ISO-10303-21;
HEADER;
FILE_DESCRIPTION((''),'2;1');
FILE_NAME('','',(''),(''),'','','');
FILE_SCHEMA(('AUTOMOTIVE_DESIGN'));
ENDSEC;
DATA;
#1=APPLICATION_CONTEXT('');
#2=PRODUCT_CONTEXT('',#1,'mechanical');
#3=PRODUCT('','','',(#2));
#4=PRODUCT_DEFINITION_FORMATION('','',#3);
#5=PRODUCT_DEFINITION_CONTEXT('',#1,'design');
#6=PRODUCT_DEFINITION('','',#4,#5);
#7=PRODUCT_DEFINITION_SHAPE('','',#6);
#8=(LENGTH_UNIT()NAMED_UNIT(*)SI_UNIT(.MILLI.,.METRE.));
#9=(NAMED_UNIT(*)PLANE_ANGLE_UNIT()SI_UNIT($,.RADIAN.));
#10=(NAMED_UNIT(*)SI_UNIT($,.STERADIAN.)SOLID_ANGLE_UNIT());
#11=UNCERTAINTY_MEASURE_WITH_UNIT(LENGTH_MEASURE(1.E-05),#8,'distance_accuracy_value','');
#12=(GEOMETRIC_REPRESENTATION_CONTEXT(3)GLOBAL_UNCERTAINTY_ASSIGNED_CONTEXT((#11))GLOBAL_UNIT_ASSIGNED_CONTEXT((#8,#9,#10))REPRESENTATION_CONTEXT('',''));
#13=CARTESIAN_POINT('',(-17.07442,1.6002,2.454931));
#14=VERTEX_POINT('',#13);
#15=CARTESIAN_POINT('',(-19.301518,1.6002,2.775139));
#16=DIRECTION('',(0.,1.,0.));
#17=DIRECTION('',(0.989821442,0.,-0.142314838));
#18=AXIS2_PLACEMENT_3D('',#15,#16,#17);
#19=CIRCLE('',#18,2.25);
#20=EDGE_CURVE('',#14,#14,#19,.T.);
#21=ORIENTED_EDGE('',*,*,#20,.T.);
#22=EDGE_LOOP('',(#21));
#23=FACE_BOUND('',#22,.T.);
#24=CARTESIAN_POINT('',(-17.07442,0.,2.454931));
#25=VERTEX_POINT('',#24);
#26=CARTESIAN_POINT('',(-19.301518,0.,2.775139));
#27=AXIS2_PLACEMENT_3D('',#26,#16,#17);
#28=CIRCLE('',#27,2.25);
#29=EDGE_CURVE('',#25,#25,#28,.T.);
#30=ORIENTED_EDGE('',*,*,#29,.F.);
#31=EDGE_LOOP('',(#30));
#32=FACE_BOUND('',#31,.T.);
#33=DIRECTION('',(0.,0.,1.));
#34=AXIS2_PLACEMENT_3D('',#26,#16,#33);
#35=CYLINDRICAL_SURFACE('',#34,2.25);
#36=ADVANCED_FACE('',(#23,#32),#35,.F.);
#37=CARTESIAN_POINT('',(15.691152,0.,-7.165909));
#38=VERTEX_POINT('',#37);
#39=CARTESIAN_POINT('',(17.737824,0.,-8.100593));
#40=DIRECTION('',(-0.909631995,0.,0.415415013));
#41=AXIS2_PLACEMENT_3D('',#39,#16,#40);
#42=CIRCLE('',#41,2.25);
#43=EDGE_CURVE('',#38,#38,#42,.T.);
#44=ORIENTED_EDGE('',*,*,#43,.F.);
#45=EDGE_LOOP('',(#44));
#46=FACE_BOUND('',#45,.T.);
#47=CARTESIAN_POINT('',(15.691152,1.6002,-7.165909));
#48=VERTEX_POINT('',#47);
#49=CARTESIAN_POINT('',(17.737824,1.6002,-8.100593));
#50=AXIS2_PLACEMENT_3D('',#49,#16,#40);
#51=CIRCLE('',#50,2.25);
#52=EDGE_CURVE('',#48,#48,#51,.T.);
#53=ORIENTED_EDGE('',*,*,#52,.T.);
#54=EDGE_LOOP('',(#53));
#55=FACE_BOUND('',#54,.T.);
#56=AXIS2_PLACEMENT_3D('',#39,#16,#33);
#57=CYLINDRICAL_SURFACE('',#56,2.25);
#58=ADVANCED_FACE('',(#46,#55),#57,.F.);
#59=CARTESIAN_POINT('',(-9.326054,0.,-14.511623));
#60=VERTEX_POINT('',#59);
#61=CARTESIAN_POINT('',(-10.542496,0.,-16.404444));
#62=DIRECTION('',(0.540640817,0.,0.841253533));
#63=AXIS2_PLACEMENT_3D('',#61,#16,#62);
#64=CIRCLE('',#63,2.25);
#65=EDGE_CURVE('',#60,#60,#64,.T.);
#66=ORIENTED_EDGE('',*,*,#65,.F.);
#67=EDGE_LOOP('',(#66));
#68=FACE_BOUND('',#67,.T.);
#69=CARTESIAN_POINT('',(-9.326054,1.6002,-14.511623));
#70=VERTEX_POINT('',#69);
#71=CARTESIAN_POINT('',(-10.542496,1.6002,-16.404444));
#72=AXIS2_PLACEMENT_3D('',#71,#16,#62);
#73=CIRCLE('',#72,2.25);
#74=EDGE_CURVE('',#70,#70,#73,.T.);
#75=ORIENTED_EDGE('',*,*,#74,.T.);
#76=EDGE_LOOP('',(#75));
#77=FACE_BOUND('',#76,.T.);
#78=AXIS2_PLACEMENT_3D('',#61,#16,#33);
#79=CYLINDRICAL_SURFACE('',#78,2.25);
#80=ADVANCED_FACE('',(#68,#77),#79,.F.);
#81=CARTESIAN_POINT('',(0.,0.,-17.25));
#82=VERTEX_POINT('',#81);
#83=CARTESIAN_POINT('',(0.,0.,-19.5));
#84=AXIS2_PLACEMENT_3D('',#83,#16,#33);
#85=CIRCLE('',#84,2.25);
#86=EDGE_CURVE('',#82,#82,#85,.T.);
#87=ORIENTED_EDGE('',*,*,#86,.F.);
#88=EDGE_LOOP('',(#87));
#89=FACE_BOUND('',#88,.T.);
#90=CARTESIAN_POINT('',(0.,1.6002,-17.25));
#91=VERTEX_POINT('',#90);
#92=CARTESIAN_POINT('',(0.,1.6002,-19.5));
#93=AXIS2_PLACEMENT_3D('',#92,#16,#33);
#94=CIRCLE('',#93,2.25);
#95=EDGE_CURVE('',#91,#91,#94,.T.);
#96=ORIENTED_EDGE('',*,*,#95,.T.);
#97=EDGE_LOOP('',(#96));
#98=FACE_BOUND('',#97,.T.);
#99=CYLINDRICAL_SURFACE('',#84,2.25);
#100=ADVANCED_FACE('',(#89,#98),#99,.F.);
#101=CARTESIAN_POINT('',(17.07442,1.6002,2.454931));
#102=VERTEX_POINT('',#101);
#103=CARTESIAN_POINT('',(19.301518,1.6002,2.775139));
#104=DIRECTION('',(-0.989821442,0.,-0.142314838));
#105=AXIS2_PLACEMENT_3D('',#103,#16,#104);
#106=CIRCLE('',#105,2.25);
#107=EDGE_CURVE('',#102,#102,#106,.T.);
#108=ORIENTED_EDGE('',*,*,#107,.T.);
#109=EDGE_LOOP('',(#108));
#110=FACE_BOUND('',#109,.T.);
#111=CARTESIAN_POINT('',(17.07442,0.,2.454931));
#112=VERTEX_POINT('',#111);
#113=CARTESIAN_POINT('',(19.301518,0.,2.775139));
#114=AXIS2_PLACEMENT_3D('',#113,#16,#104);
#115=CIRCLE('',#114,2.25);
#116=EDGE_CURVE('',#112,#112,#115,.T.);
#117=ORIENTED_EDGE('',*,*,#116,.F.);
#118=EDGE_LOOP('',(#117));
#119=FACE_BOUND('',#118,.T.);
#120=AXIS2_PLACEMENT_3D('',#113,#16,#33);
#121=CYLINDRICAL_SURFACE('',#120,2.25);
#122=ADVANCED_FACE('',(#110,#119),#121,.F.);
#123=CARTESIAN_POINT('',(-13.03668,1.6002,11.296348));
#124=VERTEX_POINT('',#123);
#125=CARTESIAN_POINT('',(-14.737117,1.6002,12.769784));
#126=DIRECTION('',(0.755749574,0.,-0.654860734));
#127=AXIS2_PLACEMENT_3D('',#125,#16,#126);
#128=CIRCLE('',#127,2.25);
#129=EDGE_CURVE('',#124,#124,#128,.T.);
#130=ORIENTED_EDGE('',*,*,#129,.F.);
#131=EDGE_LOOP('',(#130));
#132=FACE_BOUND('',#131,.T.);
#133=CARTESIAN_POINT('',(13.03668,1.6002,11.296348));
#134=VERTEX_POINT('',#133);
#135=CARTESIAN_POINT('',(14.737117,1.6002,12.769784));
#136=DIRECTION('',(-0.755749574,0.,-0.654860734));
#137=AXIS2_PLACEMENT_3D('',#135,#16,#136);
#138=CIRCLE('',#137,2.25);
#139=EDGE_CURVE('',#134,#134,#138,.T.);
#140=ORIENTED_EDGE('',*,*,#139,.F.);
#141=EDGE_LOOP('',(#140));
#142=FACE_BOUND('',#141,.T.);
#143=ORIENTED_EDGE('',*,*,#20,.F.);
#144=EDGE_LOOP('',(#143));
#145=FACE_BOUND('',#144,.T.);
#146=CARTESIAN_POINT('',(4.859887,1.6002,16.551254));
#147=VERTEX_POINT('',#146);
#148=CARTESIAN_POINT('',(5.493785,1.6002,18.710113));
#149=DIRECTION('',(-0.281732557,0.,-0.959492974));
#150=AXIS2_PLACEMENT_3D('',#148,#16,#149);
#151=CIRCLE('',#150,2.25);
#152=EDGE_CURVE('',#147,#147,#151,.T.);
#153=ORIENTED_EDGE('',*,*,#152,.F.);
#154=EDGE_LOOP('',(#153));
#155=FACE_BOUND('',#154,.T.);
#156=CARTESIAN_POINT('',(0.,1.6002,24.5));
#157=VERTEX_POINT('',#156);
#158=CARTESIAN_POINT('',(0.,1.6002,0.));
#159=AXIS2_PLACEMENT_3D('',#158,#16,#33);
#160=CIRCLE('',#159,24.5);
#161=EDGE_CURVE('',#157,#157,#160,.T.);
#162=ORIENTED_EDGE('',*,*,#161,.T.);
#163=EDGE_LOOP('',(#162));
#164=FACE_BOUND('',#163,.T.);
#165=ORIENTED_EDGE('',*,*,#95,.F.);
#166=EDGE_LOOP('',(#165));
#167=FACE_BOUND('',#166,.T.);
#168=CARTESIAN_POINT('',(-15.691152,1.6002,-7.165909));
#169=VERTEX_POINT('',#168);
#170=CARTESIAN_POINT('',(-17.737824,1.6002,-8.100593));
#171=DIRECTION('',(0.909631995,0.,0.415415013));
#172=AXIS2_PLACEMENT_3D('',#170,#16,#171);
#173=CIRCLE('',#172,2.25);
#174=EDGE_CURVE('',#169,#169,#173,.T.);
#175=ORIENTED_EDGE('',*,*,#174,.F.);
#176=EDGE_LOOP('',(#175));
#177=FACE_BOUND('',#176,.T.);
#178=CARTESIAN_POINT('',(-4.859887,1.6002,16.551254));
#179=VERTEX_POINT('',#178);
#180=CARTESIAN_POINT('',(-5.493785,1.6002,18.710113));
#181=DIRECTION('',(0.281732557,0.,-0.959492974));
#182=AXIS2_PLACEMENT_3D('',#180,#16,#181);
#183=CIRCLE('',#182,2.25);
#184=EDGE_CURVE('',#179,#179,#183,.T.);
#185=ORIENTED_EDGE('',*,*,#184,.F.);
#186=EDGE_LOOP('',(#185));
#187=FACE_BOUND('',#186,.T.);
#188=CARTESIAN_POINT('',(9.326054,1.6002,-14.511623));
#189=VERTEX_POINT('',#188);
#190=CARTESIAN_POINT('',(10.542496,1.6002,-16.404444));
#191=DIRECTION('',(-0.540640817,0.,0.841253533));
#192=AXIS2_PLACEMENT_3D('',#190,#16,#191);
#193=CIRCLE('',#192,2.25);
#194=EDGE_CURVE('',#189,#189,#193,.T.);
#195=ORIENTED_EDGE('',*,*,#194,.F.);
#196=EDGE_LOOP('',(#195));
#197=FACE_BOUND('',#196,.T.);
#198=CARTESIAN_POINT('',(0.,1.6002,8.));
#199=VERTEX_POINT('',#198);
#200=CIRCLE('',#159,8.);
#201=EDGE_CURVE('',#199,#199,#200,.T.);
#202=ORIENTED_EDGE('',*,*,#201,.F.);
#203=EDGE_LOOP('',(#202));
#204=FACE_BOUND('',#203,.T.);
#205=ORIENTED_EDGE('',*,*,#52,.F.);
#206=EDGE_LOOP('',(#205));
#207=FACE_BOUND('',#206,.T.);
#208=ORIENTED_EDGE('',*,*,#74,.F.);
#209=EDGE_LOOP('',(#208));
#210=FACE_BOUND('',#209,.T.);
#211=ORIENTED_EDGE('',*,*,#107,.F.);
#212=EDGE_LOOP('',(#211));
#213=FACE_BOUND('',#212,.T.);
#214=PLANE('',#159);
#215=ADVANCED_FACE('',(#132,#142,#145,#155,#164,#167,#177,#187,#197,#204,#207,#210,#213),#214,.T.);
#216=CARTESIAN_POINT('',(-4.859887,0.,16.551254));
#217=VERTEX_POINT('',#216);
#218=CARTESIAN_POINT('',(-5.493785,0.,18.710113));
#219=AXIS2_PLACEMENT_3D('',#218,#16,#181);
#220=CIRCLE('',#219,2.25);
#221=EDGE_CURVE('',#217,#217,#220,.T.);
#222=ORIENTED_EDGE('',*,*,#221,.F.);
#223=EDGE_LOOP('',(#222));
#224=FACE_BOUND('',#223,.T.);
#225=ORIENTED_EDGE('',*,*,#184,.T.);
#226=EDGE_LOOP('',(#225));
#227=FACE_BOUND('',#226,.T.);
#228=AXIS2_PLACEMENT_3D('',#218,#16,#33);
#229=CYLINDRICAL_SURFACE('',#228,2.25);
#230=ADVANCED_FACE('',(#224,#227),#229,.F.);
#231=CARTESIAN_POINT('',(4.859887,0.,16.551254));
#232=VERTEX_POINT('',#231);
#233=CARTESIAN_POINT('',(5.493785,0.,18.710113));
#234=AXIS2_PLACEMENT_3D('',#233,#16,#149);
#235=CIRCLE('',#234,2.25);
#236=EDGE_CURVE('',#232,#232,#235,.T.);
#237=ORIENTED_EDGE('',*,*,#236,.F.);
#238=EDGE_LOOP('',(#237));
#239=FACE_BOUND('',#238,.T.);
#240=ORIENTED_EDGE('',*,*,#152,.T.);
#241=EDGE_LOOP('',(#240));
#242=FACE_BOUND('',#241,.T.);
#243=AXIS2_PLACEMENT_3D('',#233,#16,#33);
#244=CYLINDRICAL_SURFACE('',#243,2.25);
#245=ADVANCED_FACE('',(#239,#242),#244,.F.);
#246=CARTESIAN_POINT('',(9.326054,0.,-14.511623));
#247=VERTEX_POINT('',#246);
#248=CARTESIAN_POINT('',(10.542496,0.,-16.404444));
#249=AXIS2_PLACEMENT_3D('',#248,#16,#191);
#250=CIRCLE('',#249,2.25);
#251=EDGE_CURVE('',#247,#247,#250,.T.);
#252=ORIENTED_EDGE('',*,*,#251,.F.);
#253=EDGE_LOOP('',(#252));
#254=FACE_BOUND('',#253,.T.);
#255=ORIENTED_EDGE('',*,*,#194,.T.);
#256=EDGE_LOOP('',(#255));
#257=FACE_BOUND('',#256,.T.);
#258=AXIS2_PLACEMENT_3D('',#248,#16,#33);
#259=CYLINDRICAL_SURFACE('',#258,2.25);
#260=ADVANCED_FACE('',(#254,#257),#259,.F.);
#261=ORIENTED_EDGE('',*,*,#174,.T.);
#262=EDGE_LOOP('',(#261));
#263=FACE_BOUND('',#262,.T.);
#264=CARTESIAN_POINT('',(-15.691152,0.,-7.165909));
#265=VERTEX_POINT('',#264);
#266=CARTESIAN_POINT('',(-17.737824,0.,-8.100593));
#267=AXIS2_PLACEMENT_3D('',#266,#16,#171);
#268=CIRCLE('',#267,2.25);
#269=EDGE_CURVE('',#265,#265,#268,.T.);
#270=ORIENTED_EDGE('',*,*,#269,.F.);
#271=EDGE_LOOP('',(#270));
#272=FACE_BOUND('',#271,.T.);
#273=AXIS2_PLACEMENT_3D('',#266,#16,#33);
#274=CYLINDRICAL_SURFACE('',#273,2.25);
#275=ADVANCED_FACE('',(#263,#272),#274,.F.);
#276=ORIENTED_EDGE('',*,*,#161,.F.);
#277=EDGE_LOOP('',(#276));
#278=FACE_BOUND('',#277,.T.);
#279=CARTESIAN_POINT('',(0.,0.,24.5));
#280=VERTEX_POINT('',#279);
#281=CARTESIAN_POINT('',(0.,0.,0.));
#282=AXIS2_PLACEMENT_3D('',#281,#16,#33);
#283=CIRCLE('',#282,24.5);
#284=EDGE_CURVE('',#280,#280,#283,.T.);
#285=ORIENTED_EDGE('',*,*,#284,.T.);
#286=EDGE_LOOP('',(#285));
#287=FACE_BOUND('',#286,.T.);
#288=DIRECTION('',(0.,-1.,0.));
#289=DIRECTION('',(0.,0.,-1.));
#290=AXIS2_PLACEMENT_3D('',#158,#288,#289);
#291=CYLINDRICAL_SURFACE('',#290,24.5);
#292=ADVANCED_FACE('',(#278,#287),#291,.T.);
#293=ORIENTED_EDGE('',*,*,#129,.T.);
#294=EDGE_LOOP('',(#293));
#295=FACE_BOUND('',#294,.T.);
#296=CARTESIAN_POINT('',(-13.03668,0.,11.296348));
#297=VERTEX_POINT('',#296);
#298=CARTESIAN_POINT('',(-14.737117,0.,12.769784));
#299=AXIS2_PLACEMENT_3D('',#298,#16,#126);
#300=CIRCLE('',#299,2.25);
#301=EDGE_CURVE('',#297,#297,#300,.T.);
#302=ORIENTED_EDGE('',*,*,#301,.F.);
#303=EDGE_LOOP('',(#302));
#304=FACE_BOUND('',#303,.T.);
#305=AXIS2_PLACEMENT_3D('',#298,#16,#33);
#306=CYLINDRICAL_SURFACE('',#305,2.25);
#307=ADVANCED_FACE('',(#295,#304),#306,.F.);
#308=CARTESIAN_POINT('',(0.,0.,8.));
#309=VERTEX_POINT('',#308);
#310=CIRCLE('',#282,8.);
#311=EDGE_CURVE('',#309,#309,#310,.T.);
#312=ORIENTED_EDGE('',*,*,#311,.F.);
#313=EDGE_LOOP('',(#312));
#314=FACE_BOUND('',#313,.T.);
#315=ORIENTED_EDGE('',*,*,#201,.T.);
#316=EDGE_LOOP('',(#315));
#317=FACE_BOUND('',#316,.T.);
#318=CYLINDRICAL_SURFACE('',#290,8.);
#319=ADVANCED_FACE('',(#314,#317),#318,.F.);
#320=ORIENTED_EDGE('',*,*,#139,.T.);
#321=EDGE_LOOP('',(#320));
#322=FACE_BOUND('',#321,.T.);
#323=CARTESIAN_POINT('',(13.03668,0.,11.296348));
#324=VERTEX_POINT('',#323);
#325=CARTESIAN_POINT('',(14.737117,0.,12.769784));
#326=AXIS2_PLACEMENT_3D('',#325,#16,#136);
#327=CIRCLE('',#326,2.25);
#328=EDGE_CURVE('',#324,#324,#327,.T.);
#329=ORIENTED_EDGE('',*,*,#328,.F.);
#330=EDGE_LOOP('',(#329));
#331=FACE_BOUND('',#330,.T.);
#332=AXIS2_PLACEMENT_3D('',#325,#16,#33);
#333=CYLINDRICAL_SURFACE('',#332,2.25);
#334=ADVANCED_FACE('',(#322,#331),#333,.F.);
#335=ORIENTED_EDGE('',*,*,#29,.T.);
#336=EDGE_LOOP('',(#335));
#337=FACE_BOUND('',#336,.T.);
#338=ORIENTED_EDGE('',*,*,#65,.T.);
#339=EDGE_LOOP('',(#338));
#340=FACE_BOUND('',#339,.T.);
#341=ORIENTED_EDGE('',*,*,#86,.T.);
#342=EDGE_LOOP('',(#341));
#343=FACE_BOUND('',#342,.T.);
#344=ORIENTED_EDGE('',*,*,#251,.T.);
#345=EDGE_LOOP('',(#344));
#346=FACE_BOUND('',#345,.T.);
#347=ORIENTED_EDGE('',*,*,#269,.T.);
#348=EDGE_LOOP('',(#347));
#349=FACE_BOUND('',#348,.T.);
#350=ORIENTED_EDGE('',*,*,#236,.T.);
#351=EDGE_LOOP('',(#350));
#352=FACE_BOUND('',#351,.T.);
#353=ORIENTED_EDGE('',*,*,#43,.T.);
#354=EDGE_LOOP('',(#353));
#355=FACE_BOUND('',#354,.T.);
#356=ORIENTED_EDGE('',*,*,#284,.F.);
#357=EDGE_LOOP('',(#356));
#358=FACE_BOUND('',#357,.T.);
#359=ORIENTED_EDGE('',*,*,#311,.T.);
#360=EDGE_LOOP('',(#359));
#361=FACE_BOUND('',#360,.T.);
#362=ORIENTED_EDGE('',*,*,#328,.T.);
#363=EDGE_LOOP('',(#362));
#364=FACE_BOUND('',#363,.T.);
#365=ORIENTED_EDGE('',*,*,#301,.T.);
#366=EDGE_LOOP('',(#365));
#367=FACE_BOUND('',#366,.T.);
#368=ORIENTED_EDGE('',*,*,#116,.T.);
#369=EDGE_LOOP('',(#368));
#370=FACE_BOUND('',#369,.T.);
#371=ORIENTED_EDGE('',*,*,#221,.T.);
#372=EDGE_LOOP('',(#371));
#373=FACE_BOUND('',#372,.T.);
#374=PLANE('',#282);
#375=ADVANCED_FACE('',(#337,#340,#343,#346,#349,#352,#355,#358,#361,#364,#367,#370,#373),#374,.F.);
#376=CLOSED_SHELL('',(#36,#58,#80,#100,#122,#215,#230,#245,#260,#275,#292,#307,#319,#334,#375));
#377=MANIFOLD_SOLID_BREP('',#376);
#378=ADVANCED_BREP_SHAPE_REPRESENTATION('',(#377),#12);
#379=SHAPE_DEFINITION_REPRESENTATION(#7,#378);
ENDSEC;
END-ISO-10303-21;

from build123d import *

# Parameters (mm, degrees)
SKETCH1_R           = 24.5
SKETCH1_R_2         = 8
BOSS_EXTRUDE1_DEPTH = 1.6002
SKETCH3_R           = 2.25
CUT_EXTRUDE1_DEPTH  = 35.685164553
CIRPATTERN1_COUNT   = 11


with BuildPart() as part:
    # Sketch1 → Boss-Extrude1 (new body)
    with BuildSketch(Plane(origin=(0, 0, 0), x_dir=(1, 0, 0), z_dir=(0, 1, 0))):
        with Locations(Location((0, 0, 0), (0, 0, 270))):
            Circle(SKETCH1_R)
        with Locations(Location((0, 0, 0), (0, 0, 270))):
            Circle(SKETCH1_R_2, mode=Mode.SUBTRACT)
    extrude(amount=BOSS_EXTRUDE1_DEPTH)

    # Sketch3 → Cut-Extrude1 (cut, through all)
    with BuildSketch(Plane(origin=(0, 1.6002, 0), x_dir=(1, 0, 0), z_dir=(0, 1, 0))):
        with Locations(Location((0, 19.5, 0), (0, 0, 270))):
            Circle(SKETCH3_R)
    cut_extrude1 = extrude(amount=-CUT_EXTRUDE1_DEPTH, mode=Mode.SUBTRACT)

    # CirPattern1: Cut-Extrude1 ×11 about axis
    cirpattern1_axis = Axis((0, 0, 0), (0, 1, 0))
    for i in range(1, CIRPATTERN1_COUNT):
        add(cut_extrude1.rotate(cirpattern1_axis, i * 360 / CIRPATTERN1_COUNT), mode=Mode.SUBTRACT)


solid = part.part
